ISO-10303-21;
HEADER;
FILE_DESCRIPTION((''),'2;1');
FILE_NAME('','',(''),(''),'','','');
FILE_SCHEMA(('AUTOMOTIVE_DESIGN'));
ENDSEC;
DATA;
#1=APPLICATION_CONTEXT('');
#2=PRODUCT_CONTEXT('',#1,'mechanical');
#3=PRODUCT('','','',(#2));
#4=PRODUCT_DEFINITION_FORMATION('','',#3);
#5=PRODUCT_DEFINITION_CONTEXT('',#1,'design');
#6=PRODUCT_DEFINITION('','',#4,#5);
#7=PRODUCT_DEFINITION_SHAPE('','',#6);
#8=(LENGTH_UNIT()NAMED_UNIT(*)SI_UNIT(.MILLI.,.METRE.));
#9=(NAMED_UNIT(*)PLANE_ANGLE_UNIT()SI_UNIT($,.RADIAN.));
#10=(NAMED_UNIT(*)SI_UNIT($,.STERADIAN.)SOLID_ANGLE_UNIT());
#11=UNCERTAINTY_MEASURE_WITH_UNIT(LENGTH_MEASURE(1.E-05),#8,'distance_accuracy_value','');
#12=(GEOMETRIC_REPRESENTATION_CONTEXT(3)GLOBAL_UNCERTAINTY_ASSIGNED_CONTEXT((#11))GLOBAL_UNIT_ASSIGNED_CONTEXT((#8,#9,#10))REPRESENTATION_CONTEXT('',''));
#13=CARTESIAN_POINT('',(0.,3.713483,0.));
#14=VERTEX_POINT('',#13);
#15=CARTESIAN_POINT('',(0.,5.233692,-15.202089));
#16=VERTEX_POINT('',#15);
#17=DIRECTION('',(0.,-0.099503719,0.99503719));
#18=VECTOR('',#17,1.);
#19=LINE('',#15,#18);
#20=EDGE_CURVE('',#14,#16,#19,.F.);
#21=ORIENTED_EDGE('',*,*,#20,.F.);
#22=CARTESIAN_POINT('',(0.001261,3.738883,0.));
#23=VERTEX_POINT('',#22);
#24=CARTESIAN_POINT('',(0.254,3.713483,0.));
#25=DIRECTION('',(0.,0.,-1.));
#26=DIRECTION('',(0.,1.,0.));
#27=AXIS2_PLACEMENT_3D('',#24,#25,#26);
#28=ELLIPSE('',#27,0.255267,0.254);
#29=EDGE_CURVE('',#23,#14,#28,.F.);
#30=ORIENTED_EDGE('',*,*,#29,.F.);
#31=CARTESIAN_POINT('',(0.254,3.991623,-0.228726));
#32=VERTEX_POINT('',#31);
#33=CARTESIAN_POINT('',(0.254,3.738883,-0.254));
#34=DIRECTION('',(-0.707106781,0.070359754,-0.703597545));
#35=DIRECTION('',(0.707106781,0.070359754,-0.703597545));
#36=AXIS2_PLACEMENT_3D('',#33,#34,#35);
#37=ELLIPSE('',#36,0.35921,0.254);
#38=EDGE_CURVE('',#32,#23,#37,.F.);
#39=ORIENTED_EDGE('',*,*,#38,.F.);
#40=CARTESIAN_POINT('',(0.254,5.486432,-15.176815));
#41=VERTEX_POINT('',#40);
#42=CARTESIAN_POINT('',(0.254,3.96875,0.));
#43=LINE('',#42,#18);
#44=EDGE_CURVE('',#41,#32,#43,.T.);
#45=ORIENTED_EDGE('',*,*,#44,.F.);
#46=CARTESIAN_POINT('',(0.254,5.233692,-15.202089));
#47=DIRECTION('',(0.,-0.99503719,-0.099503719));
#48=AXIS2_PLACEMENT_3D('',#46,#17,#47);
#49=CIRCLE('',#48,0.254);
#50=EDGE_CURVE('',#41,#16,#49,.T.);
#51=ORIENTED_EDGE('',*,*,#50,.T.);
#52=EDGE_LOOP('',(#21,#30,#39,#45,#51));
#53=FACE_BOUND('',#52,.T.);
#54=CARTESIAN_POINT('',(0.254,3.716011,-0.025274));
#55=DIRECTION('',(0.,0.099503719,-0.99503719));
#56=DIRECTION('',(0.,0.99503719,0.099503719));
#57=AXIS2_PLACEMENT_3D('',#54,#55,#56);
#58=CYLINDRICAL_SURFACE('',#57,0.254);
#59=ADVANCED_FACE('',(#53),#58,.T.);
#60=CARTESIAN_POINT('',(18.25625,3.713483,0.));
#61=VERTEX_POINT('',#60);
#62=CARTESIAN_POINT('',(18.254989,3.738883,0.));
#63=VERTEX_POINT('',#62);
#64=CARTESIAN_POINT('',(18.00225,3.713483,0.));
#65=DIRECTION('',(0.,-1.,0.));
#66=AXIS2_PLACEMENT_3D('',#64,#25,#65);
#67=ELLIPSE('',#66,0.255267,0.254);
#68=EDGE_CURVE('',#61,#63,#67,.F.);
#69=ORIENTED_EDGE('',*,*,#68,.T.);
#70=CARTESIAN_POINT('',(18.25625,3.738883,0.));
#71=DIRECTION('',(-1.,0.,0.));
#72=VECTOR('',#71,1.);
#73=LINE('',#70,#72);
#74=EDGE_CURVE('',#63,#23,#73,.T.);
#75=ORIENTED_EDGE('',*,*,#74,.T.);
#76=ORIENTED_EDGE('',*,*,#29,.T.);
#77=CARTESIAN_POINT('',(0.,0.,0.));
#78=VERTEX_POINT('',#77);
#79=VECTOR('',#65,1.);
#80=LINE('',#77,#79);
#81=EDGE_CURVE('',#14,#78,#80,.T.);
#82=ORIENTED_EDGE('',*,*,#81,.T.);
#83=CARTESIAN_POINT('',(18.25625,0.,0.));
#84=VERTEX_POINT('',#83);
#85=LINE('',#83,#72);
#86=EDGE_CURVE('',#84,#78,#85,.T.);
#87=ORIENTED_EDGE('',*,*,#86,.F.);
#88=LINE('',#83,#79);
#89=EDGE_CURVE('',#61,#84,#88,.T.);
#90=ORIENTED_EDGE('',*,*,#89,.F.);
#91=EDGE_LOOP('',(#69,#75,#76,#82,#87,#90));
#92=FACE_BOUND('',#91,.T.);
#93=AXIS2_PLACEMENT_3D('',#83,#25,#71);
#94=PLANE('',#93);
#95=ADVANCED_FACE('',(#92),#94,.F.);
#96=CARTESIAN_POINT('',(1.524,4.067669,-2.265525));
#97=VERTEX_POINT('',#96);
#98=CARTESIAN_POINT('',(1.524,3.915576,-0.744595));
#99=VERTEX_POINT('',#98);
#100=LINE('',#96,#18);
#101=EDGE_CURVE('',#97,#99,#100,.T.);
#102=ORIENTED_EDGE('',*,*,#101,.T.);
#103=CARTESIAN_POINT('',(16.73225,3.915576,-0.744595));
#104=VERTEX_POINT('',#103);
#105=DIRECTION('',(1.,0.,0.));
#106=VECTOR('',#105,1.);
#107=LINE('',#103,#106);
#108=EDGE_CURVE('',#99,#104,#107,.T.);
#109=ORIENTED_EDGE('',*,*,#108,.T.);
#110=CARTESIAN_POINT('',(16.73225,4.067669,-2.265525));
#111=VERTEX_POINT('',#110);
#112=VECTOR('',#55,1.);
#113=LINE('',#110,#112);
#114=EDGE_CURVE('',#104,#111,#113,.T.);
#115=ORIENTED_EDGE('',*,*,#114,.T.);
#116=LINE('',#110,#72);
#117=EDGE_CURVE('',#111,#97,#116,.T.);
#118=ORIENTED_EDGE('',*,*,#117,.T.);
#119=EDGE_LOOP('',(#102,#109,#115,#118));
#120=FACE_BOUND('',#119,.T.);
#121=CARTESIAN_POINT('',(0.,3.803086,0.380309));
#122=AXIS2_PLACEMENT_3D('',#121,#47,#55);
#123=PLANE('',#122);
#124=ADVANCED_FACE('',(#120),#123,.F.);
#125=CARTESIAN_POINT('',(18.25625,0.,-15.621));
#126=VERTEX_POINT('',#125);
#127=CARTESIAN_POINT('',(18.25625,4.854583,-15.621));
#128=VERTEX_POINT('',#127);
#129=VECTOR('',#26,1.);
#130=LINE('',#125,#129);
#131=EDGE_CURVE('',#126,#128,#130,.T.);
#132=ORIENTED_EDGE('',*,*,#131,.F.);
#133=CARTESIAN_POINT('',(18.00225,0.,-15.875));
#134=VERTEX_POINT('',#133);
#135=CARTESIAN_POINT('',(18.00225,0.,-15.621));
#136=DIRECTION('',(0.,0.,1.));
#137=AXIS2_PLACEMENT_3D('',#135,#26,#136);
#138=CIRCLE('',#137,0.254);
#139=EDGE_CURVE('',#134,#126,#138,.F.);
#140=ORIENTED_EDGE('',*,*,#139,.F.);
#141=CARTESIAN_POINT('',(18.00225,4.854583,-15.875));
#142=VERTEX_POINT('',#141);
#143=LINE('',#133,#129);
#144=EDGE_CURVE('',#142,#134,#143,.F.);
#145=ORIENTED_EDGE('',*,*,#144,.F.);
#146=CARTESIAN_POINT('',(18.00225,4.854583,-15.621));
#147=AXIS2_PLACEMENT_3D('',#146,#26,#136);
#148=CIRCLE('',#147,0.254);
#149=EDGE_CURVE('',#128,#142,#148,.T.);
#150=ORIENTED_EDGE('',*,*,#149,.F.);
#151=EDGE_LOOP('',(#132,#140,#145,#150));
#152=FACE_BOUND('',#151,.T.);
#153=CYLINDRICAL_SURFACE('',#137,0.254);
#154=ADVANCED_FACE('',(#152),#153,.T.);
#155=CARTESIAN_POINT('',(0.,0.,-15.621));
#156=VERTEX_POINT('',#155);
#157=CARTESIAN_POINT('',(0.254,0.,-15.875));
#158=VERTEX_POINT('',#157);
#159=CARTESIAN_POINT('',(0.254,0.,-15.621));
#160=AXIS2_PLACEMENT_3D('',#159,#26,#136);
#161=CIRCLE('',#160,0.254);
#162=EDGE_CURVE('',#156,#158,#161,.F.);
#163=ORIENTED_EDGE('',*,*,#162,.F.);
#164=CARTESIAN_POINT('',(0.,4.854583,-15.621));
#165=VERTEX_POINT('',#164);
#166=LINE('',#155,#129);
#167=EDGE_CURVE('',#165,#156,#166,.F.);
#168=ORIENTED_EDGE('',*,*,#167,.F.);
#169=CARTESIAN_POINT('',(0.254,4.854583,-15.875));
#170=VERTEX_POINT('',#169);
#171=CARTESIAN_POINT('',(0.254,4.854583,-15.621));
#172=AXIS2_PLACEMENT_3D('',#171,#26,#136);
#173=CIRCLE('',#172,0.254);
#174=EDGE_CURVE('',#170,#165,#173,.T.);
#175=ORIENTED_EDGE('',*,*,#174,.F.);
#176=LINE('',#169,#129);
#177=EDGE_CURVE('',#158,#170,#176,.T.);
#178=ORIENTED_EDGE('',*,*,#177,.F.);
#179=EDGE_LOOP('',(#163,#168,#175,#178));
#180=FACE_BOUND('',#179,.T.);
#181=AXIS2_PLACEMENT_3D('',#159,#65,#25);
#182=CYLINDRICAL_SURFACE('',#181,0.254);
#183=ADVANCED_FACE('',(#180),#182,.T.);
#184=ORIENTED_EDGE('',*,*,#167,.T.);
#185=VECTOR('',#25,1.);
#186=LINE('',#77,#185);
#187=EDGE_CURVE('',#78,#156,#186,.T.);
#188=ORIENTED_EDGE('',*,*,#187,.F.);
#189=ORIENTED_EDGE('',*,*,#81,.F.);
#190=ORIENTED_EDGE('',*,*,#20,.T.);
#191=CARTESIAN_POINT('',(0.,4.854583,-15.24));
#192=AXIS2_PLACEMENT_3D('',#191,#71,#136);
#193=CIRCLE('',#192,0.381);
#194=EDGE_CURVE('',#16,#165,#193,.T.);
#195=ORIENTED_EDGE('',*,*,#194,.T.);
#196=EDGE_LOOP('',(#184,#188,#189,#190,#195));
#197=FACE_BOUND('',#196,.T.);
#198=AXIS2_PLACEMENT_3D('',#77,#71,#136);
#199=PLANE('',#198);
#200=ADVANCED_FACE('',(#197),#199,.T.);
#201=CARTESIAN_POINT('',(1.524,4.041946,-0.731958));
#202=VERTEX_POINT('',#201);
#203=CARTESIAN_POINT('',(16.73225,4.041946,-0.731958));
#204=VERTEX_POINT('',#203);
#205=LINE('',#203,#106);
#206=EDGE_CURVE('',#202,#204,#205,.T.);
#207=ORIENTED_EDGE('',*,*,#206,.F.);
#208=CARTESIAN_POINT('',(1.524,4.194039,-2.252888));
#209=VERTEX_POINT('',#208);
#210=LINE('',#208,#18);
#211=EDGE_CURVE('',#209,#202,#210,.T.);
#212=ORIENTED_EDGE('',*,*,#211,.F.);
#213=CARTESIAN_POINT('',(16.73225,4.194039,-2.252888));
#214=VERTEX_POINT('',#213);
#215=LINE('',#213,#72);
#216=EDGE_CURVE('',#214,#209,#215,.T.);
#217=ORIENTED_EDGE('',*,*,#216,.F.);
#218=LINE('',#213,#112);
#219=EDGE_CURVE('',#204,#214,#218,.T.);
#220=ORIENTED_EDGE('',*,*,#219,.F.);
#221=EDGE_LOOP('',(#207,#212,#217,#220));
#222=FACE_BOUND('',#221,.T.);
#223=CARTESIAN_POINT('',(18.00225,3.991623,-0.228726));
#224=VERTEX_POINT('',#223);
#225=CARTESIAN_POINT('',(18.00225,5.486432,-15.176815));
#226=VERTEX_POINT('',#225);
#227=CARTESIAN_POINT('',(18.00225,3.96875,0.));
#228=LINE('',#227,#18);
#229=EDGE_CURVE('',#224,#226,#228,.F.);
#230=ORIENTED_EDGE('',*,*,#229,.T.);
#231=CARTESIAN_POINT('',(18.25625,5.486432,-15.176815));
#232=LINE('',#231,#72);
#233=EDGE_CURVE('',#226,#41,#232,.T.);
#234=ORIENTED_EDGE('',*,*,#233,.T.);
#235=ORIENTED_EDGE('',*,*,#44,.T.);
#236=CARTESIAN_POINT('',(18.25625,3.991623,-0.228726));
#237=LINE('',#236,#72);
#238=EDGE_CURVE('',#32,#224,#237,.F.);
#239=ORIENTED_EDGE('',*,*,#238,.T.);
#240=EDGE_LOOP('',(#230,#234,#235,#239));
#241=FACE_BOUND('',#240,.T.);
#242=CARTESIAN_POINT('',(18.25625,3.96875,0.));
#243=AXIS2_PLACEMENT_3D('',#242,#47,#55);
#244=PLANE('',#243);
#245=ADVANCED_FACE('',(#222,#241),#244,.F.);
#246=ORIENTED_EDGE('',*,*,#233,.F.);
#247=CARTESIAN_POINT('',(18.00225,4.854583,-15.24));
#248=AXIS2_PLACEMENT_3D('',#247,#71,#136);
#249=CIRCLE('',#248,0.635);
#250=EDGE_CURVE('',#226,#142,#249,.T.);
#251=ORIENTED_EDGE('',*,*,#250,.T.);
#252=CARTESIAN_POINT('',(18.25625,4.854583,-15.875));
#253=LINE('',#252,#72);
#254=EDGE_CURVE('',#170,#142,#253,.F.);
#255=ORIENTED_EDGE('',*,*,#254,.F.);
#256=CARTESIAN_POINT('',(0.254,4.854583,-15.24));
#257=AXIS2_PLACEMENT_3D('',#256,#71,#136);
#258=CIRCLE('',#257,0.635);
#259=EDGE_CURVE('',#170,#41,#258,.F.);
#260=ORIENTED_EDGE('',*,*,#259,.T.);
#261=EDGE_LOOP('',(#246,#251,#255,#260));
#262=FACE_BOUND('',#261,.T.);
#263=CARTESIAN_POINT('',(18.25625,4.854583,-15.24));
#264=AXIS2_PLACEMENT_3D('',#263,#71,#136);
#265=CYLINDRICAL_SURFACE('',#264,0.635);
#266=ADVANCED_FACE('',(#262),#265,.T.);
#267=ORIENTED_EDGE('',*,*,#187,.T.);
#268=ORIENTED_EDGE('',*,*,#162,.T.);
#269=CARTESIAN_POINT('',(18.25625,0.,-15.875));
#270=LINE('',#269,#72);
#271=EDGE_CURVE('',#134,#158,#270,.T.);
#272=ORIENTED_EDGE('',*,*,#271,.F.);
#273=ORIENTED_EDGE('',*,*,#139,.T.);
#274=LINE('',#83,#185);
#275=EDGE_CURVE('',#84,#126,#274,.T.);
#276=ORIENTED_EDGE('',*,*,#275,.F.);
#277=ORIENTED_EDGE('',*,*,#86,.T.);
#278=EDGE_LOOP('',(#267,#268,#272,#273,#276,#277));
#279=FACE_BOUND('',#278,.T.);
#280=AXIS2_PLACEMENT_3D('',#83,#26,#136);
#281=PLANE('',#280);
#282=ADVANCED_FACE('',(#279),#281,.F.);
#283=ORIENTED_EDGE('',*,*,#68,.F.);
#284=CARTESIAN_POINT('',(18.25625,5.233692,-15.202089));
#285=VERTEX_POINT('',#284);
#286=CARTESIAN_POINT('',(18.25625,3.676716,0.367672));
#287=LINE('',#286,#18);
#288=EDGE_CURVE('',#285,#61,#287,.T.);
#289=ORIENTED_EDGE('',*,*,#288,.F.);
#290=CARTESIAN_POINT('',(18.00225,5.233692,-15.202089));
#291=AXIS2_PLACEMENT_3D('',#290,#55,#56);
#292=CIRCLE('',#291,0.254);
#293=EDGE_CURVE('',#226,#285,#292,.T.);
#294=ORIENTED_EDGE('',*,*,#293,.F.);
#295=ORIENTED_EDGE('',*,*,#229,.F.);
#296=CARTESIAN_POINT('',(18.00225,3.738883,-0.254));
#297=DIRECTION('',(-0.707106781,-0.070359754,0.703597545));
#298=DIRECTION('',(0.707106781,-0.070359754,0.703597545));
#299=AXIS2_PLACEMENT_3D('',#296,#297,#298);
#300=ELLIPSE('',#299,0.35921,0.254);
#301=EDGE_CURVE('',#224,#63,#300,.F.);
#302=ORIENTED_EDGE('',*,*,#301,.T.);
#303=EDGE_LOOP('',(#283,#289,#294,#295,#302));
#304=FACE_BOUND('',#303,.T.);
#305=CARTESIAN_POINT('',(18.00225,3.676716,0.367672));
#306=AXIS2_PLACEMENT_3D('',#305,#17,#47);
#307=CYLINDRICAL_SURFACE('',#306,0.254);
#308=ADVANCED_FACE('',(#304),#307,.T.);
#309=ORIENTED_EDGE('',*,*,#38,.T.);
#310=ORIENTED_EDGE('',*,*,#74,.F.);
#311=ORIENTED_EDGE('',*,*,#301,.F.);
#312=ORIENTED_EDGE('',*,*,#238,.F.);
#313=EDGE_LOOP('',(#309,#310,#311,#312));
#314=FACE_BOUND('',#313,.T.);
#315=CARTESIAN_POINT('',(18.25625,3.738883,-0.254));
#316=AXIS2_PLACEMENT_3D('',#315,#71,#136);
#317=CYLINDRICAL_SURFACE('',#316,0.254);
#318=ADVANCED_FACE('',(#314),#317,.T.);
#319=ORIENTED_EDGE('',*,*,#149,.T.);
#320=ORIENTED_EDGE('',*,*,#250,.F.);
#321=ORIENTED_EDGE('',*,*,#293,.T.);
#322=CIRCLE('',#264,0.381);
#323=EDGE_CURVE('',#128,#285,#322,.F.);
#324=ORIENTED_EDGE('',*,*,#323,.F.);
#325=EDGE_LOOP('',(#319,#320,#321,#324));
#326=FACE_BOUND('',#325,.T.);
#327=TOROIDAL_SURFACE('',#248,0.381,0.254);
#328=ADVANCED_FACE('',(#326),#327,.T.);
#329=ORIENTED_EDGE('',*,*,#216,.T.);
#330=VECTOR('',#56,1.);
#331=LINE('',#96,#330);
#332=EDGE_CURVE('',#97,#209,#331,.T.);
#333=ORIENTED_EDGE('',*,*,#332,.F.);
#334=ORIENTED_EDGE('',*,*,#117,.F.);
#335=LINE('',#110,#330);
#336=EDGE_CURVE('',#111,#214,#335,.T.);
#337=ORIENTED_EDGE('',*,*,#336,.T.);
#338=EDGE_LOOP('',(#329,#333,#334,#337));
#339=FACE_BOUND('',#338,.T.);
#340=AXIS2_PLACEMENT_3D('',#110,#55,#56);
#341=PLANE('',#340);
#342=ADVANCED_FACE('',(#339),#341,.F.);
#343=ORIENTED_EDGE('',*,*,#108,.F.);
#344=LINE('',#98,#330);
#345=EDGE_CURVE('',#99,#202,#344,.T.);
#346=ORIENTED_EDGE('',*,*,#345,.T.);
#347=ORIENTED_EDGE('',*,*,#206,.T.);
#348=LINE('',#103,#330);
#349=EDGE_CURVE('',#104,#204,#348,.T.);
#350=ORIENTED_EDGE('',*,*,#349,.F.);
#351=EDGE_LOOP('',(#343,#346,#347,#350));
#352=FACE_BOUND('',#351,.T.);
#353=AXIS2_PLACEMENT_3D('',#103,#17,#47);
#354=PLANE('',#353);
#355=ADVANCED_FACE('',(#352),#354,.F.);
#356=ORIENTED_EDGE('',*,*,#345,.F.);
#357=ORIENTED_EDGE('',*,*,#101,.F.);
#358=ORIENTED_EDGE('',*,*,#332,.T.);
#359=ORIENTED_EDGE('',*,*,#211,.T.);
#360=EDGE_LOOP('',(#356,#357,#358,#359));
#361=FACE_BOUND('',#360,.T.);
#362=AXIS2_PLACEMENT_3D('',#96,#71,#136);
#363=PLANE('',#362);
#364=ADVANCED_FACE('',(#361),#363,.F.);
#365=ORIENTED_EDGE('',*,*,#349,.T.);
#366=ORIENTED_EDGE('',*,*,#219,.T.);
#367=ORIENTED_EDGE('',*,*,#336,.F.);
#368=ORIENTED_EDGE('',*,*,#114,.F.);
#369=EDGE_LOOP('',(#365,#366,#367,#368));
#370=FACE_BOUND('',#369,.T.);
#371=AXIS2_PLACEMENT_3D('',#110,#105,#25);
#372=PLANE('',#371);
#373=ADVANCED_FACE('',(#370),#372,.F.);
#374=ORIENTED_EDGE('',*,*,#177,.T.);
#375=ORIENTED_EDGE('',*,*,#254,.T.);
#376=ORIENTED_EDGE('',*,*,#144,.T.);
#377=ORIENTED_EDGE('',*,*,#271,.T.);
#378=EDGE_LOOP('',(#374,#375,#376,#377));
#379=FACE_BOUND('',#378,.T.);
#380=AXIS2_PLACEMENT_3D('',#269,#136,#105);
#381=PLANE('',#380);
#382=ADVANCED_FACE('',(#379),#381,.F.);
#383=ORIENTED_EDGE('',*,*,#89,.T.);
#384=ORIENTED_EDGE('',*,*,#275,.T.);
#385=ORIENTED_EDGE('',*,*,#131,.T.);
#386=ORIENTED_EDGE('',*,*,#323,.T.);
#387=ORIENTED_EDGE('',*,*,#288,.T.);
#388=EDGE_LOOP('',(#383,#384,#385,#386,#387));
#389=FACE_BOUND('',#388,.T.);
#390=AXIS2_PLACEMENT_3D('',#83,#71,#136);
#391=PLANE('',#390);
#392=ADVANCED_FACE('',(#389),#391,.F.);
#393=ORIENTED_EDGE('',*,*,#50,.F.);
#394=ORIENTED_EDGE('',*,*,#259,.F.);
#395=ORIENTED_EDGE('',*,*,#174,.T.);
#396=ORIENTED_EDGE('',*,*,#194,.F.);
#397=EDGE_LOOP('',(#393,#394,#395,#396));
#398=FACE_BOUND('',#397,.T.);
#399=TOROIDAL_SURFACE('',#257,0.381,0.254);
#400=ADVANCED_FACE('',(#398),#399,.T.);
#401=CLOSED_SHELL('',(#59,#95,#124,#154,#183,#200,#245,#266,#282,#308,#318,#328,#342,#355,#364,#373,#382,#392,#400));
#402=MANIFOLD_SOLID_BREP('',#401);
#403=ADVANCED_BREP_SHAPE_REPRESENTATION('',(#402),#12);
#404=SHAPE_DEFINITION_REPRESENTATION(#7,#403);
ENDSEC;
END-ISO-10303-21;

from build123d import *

# Parameters (mm, degrees)
BOSS_EXTRUDE1_DEPTH = 18.25625
FILLET1_R           = 0.635
FILLET2_R           = 0.254
SKETCH2_W           = 15.20825
SKETCH2_H           = 1.528516132
CUT_EXTRUDE1_DEPTH  = 0.127


with BuildPart() as part:
    # Sketch1 → Boss-Extrude1 (new body)
    with BuildSketch(Plane(origin=(0, 0, 0), x_dir=(0, 0, -1), z_dir=(1, 0, 0))):
        Polygon((0, 0), (15.875, 0), (15.875, 5.55625), (0, 3.96875), align=None)
    extrude(amount=BOSS_EXTRUDE1_DEPTH)

    # Fillet1
    fillet1_edges = [part.edges().sort_by_distance(p)[0] for p in [
        (9.128125, 5.55625, -15.875),
    ]]
    fillet(fillet1_edges, radius=FILLET1_R)

    # Fillet2
    fillet2_edges = [part.edges().sort_by_distance(p)[0] for p in [
        (18.25625, 2.427291449, -15.875),
        (0, 4.727590757, -7.588407569),
        (18.25625, 4.727590757, -7.588407569),
        (0, 5.325405257, -15.666088379),
        (18.25625, 5.325405257, -15.666088379),
        (0, 2.427291449, -15.875),
        (9.128125, 3.96875, 0),
    ]]
    fillet(fillet2_edges, radius=FILLET2_R)

    # Sketch2 → Cut-Extrude1 (cut)
    with BuildSketch(Plane(origin=(0, 3.929455446, 0.392945545), x_dir=(1, 0, 0), z_dir=(0, 0.99503719, 0.099503719))):
        with Locations((9.128125, 1.894772226)):
            Rectangle(SKETCH2_W, SKETCH2_H)
    extrude(amount=-CUT_EXTRUDE1_DEPTH, mode=Mode.SUBTRACT)


solid = part.part
